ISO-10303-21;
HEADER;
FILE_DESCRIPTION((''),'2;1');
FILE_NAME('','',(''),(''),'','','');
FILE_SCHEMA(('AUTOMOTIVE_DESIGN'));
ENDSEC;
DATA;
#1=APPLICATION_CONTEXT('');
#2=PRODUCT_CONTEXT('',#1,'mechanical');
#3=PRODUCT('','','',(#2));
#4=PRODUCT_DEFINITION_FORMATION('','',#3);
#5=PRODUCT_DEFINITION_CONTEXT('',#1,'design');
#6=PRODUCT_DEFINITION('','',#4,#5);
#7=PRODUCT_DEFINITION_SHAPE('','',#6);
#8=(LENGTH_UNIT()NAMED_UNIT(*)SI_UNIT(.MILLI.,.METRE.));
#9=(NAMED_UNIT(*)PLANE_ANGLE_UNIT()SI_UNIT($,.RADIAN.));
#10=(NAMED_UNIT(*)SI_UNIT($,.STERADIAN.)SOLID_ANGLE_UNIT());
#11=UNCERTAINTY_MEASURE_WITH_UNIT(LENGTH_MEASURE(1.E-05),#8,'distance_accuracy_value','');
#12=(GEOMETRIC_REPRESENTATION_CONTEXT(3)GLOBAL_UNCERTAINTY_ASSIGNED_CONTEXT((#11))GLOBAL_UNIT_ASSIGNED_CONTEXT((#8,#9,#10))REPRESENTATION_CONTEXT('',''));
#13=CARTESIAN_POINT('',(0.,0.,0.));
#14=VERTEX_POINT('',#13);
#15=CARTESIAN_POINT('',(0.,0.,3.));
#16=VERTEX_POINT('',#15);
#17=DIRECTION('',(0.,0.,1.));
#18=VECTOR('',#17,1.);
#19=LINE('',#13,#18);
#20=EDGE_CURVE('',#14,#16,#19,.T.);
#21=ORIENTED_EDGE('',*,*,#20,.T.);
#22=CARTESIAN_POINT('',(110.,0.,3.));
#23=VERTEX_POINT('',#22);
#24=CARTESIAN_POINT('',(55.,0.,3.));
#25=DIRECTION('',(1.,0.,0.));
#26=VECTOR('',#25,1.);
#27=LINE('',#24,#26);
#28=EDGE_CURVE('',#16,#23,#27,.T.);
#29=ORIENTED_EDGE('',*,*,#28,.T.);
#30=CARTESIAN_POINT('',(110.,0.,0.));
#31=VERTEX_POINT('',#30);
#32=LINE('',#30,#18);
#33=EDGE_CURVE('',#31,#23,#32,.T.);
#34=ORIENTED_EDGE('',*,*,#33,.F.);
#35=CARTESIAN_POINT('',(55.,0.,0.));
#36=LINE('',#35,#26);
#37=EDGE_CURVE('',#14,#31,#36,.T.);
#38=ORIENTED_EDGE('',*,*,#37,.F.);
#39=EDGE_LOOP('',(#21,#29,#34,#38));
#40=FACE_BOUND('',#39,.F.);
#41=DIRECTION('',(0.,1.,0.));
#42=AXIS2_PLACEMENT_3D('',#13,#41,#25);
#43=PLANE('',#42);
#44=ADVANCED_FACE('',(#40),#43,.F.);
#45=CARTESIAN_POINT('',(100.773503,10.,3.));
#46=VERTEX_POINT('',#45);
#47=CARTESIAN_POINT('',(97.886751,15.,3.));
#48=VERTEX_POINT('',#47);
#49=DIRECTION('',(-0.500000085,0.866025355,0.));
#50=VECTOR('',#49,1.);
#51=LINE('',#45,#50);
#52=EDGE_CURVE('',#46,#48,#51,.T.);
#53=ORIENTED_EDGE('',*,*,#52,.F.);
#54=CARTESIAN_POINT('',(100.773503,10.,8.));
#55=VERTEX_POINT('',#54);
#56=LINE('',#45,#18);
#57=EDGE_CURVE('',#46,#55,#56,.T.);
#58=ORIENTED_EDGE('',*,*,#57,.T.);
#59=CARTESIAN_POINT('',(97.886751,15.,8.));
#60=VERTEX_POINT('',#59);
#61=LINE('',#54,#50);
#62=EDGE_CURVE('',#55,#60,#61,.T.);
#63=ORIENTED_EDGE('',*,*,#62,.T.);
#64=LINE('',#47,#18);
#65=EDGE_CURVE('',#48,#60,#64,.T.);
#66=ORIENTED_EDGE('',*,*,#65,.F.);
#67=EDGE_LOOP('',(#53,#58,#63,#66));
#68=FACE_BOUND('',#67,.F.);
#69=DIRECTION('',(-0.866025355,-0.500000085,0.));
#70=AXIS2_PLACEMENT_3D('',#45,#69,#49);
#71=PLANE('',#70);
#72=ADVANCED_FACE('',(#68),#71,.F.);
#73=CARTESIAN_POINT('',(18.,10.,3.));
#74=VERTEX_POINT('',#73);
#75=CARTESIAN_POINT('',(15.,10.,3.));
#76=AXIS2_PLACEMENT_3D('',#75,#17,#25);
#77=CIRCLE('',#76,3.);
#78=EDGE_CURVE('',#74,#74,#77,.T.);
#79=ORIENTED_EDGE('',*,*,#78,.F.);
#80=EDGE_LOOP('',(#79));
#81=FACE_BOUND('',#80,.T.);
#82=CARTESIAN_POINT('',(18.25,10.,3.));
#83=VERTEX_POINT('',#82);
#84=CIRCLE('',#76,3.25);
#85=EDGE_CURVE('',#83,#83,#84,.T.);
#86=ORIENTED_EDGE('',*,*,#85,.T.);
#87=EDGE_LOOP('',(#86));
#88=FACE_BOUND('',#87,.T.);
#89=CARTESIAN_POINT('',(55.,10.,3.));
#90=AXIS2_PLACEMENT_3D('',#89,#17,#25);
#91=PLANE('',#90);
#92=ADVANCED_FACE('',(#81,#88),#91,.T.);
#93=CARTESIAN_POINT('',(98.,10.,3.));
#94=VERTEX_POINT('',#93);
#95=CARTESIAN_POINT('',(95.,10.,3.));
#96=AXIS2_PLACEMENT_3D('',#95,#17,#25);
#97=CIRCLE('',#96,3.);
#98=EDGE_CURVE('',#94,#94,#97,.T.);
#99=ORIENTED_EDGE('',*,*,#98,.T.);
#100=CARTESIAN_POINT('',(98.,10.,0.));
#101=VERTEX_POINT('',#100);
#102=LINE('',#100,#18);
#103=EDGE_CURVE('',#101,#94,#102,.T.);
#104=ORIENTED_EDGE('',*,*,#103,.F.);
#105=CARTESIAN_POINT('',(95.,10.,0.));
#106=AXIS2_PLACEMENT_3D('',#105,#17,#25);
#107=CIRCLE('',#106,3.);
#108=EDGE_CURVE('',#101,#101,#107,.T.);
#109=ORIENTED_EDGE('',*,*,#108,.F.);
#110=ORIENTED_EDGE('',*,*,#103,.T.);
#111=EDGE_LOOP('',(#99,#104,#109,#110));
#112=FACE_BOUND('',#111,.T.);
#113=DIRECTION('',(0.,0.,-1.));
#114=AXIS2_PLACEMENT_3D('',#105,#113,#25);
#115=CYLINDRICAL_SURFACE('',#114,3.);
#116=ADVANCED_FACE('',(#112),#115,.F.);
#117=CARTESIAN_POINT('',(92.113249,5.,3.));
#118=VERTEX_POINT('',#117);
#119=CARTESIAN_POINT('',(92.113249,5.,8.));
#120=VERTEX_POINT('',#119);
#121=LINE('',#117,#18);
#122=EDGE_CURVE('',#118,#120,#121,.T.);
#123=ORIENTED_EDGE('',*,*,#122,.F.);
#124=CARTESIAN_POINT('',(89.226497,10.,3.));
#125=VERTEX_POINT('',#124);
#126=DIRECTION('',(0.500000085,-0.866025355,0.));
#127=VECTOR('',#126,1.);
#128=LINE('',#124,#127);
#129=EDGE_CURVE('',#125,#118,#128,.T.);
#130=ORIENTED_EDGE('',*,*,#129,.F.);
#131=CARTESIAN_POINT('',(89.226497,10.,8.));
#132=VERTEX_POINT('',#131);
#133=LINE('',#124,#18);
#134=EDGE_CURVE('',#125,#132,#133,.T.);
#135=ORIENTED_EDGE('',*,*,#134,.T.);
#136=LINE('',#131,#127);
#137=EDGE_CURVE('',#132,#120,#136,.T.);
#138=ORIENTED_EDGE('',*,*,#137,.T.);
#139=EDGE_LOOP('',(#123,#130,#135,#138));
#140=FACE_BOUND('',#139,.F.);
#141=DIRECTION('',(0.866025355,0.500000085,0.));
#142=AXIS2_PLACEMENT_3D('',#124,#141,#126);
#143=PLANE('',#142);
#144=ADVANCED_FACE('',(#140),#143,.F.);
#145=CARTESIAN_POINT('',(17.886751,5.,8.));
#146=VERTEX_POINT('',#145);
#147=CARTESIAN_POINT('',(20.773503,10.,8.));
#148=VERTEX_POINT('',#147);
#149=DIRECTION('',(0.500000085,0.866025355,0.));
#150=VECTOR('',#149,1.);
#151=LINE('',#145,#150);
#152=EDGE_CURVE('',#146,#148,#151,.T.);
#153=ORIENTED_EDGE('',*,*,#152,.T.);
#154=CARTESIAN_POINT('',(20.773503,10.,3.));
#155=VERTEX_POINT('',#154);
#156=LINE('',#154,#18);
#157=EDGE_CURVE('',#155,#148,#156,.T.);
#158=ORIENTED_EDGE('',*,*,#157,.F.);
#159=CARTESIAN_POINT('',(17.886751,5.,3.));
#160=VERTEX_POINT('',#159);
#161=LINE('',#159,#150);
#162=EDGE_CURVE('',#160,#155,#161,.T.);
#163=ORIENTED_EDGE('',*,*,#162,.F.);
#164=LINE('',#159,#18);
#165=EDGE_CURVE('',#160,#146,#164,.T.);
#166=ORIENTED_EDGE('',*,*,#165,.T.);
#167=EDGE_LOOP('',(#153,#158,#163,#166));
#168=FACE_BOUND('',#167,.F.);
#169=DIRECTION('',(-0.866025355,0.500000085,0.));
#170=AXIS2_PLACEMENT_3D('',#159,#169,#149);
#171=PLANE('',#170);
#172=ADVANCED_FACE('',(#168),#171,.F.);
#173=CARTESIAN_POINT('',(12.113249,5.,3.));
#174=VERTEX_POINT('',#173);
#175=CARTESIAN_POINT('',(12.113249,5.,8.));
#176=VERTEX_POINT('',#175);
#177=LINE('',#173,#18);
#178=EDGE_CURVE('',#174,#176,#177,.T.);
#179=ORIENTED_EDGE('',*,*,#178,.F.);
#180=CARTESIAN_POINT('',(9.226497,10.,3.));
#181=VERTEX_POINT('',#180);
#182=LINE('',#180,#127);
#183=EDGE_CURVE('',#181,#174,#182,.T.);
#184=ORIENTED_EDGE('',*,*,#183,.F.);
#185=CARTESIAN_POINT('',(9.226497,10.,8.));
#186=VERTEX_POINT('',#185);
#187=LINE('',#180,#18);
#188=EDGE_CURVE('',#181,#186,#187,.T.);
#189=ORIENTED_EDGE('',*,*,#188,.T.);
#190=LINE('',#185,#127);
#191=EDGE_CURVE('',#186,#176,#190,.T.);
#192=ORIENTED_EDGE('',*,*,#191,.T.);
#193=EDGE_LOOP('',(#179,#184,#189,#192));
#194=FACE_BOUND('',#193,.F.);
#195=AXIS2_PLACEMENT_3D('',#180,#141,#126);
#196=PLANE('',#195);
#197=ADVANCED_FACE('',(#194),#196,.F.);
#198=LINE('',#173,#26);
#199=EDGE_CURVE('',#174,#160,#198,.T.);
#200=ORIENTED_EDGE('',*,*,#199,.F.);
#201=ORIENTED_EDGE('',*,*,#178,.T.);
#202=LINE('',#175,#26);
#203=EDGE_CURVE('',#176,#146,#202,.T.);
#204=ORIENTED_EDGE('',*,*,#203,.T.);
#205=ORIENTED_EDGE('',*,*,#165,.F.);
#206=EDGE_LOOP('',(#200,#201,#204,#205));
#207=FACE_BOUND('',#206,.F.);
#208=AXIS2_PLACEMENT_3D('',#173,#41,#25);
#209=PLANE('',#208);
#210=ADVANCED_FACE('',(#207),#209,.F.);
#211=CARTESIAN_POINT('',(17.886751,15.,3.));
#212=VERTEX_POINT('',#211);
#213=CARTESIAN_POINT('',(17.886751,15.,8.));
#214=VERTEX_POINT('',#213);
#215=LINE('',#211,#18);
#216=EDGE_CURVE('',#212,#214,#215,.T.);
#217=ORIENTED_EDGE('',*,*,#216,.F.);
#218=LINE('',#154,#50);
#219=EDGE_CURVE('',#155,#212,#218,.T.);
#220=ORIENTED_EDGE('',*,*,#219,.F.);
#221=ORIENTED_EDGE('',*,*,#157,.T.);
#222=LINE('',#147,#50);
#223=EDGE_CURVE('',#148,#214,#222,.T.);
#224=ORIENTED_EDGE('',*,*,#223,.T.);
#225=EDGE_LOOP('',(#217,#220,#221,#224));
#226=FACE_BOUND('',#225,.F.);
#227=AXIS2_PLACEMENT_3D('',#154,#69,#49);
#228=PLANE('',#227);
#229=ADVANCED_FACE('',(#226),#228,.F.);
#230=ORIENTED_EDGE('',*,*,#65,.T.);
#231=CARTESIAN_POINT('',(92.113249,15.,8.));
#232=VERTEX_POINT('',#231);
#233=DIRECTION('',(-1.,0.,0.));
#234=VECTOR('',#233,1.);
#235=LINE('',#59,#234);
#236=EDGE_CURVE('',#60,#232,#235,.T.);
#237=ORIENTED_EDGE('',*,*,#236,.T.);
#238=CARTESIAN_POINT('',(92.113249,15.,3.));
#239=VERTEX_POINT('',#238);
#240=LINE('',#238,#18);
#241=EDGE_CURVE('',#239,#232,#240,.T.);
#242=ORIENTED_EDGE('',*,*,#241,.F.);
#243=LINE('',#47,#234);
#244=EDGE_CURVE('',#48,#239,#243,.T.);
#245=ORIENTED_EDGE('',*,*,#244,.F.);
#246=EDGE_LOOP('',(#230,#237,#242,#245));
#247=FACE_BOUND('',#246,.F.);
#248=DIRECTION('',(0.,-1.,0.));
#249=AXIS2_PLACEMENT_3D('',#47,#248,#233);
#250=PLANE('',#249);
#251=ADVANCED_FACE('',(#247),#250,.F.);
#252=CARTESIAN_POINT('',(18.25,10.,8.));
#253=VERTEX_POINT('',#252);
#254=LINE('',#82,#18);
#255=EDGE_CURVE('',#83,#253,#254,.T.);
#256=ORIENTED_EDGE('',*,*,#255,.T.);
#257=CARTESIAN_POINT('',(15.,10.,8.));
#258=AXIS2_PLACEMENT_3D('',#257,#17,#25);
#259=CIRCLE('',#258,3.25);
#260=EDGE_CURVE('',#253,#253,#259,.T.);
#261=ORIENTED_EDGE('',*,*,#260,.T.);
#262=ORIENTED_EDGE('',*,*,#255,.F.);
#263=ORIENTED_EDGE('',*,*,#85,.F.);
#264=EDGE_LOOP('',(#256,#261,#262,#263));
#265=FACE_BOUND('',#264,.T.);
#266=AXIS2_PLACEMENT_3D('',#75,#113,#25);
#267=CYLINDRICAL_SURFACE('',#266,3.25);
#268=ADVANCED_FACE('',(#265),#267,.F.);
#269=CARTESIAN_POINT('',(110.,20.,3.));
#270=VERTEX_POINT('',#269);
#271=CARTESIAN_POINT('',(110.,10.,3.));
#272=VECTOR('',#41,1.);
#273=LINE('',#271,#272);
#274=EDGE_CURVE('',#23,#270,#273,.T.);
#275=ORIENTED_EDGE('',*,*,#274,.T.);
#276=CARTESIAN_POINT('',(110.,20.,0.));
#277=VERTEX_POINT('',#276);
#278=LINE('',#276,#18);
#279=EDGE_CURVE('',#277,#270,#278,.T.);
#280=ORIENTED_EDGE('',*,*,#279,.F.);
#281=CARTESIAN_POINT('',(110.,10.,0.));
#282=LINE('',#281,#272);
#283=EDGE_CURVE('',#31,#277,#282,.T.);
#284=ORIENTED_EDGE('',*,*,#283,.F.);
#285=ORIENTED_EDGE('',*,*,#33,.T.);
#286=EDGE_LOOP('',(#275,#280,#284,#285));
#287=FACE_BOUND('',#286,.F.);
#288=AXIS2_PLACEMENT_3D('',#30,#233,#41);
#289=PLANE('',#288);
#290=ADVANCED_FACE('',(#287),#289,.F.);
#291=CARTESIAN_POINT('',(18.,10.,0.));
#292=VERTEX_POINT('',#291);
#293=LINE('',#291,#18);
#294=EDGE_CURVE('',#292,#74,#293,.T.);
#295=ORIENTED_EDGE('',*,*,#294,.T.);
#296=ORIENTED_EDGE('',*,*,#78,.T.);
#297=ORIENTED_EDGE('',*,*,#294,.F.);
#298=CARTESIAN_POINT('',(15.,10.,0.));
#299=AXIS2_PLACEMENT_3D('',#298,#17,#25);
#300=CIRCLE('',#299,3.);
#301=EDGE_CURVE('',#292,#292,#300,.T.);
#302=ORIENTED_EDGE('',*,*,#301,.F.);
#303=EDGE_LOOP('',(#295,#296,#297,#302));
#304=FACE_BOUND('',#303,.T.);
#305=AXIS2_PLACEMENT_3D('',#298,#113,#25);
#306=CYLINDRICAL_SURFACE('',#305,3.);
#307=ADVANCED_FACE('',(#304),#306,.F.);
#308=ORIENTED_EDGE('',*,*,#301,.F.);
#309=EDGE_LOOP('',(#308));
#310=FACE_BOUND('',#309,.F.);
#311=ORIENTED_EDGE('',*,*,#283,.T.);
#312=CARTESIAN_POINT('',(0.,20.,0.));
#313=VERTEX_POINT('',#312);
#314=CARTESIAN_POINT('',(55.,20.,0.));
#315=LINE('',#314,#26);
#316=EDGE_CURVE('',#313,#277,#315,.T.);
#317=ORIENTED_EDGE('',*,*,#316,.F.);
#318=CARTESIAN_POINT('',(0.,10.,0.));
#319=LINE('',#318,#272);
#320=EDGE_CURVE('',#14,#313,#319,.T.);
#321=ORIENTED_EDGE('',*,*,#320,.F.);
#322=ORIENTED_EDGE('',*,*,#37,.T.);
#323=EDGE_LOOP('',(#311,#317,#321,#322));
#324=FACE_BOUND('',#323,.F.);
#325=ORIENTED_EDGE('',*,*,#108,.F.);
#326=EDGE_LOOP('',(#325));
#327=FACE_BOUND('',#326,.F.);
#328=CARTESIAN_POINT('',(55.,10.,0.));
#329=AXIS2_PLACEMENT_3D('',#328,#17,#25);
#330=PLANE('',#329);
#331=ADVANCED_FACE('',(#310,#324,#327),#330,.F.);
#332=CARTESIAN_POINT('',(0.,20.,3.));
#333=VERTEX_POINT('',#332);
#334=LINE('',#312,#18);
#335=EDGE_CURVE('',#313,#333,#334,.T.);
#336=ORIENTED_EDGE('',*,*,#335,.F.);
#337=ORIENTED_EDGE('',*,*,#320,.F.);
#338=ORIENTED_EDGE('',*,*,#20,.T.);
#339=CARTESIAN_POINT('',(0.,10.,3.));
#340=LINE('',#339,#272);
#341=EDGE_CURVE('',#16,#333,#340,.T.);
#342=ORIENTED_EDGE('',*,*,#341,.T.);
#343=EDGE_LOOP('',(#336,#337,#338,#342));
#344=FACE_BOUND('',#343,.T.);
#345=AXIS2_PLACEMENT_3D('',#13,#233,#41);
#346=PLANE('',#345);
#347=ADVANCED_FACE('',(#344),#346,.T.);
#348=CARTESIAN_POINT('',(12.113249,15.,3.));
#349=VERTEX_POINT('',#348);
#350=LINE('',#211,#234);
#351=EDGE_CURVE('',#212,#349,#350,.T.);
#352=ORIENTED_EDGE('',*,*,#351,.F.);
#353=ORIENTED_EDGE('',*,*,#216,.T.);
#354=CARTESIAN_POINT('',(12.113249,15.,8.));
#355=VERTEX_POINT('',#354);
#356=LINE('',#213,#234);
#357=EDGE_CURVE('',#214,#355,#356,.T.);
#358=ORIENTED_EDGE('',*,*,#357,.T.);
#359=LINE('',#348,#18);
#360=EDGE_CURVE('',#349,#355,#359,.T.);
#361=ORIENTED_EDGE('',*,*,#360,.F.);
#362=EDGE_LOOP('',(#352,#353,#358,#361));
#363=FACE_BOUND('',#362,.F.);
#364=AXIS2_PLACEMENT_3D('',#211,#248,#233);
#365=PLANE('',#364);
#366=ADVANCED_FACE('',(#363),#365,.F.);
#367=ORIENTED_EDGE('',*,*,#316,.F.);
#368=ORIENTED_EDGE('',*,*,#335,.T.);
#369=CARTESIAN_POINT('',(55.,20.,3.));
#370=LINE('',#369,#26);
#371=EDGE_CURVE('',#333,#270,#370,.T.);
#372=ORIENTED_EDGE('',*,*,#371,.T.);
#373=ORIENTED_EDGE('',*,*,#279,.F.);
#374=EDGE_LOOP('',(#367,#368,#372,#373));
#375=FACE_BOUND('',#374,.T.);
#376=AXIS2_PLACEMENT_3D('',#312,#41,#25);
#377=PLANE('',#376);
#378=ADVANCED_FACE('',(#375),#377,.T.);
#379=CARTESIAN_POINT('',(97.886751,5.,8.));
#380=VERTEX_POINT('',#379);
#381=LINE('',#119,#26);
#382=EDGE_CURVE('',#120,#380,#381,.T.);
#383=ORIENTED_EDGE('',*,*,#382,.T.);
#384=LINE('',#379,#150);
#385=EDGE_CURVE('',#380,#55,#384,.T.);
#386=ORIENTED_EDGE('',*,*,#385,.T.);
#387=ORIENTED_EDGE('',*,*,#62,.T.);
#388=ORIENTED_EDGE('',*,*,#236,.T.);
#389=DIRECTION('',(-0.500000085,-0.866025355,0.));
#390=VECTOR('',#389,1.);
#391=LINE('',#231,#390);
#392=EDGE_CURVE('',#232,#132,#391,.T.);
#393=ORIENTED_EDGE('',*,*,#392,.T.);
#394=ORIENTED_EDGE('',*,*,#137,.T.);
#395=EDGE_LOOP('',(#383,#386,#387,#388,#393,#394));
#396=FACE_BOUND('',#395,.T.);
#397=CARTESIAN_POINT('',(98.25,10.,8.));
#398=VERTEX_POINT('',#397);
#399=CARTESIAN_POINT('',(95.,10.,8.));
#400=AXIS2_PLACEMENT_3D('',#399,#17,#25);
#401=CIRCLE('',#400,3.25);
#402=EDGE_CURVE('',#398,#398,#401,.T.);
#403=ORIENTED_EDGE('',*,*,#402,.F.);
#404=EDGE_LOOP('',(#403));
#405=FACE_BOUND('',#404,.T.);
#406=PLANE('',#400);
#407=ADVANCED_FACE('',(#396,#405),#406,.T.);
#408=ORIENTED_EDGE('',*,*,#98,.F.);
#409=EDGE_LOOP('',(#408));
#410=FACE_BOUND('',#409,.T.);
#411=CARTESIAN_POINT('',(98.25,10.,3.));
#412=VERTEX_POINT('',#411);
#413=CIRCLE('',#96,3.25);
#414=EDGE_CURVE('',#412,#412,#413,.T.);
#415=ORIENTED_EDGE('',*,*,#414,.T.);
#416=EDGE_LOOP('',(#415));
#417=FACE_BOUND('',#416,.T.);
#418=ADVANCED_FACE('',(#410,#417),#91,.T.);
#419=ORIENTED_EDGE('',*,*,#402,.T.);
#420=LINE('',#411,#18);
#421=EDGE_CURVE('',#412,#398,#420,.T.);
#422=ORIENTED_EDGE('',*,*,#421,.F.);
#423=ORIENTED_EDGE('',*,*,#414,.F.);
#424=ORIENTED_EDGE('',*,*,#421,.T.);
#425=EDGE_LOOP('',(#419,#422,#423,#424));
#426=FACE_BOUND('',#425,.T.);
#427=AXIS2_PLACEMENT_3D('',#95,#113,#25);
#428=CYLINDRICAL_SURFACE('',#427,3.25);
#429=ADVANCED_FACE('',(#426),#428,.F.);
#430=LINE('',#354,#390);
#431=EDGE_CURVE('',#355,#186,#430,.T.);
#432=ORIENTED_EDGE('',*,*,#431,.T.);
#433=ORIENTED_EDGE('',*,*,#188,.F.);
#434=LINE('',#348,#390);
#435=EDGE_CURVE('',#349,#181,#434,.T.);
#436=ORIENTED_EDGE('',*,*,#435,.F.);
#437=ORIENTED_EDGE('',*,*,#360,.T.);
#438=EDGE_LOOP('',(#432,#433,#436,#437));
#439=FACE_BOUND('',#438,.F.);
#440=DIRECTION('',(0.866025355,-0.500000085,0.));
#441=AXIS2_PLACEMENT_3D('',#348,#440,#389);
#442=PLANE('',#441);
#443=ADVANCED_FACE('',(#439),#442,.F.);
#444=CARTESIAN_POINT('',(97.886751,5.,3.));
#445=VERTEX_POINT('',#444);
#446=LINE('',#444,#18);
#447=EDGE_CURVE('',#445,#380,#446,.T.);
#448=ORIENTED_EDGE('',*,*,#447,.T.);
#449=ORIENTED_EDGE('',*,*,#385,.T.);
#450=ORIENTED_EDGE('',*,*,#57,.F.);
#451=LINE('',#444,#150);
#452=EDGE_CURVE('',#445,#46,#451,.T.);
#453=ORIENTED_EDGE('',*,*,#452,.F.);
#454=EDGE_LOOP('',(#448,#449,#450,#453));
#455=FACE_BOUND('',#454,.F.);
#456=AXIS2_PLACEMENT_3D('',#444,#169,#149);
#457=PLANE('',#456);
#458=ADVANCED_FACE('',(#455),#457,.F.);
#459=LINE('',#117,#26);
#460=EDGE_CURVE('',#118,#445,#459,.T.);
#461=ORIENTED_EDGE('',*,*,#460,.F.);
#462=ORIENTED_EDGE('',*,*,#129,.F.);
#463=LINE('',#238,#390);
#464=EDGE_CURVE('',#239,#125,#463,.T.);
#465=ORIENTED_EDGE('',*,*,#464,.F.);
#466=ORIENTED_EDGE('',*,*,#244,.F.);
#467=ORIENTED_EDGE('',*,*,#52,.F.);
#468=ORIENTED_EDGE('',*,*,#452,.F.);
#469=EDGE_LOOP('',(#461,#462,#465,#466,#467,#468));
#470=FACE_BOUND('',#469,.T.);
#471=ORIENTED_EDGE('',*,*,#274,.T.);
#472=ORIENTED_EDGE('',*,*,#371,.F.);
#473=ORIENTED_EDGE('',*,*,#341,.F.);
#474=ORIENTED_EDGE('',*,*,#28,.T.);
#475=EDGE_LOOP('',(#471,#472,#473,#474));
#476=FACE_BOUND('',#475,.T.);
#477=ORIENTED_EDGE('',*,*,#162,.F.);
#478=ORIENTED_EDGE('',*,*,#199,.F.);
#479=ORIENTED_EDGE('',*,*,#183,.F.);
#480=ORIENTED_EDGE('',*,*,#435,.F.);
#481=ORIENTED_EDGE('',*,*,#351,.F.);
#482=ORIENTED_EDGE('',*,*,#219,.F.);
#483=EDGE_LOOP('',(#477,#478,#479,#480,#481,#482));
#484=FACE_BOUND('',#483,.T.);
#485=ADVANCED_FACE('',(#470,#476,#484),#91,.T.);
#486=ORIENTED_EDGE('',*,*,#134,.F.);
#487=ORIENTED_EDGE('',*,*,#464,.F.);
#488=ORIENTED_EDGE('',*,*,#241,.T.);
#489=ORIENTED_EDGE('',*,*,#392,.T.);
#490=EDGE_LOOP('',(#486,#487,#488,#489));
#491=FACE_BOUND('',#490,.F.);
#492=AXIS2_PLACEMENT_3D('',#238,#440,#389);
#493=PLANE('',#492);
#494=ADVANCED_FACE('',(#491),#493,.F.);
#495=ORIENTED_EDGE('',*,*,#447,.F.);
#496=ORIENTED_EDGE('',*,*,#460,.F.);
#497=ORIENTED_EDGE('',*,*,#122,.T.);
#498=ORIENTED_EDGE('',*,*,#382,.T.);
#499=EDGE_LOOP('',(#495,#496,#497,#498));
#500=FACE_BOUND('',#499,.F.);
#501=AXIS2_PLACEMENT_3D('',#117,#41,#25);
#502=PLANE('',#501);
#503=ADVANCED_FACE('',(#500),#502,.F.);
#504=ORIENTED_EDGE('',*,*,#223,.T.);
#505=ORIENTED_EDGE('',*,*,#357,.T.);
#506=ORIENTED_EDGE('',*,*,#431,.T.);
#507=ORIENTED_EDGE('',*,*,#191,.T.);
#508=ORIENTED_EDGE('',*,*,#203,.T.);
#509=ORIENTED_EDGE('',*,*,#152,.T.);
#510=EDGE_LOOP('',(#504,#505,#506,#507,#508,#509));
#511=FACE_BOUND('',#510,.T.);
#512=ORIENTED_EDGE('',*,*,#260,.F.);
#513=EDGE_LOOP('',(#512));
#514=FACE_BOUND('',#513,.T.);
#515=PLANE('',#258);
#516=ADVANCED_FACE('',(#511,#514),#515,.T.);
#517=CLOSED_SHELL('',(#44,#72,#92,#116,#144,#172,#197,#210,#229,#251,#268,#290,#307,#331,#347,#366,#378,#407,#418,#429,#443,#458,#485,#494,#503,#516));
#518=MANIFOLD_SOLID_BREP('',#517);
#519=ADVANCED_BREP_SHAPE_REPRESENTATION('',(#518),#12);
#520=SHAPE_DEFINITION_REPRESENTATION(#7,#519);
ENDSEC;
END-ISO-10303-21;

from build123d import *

# Parameters (mm, degrees)
F0_W     = 110
F0_H     = 20
F0_R     = 3
F1_DEPTH = 3
F2_R     = 3.25
F3_DEPTH = 5


with BuildPart() as f1:
    # F0 (on Top) → F1 (new body)
    with BuildSketch(Plane.XY):
        with Locations((55, 10)):
            Rectangle(F0_W, F0_H)
        with Locations((15, 10)):
            Circle(F0_R, mode=Mode.SUBTRACT)
        with Locations((95, 10)):
            Circle(F0_R, mode=Mode.SUBTRACT)
    extrude(amount=F1_DEPTH)

    # F2 (on face) → F3 (join)
    with BuildSketch(Plane.XY.offset(3)):
        Polygon((17.886751, 5), (20.773503, 10), (17.886751, 15), (12.113249, 15), (9.226497, 10), (12.113249, 5), align=None)
        with Locations((15, 10)):
            Circle(F2_R, mode=Mode.SUBTRACT)
        Polygon((97.886751, 5), (100.773503, 10), (97.886751, 15), (92.113249, 15), (89.226497, 10), (92.113249, 5), align=None)
        with Locations((95, 10)):
            Circle(F2_R, mode=Mode.SUBTRACT)
    extrude(amount=F3_DEPTH)


solid = f1.part
